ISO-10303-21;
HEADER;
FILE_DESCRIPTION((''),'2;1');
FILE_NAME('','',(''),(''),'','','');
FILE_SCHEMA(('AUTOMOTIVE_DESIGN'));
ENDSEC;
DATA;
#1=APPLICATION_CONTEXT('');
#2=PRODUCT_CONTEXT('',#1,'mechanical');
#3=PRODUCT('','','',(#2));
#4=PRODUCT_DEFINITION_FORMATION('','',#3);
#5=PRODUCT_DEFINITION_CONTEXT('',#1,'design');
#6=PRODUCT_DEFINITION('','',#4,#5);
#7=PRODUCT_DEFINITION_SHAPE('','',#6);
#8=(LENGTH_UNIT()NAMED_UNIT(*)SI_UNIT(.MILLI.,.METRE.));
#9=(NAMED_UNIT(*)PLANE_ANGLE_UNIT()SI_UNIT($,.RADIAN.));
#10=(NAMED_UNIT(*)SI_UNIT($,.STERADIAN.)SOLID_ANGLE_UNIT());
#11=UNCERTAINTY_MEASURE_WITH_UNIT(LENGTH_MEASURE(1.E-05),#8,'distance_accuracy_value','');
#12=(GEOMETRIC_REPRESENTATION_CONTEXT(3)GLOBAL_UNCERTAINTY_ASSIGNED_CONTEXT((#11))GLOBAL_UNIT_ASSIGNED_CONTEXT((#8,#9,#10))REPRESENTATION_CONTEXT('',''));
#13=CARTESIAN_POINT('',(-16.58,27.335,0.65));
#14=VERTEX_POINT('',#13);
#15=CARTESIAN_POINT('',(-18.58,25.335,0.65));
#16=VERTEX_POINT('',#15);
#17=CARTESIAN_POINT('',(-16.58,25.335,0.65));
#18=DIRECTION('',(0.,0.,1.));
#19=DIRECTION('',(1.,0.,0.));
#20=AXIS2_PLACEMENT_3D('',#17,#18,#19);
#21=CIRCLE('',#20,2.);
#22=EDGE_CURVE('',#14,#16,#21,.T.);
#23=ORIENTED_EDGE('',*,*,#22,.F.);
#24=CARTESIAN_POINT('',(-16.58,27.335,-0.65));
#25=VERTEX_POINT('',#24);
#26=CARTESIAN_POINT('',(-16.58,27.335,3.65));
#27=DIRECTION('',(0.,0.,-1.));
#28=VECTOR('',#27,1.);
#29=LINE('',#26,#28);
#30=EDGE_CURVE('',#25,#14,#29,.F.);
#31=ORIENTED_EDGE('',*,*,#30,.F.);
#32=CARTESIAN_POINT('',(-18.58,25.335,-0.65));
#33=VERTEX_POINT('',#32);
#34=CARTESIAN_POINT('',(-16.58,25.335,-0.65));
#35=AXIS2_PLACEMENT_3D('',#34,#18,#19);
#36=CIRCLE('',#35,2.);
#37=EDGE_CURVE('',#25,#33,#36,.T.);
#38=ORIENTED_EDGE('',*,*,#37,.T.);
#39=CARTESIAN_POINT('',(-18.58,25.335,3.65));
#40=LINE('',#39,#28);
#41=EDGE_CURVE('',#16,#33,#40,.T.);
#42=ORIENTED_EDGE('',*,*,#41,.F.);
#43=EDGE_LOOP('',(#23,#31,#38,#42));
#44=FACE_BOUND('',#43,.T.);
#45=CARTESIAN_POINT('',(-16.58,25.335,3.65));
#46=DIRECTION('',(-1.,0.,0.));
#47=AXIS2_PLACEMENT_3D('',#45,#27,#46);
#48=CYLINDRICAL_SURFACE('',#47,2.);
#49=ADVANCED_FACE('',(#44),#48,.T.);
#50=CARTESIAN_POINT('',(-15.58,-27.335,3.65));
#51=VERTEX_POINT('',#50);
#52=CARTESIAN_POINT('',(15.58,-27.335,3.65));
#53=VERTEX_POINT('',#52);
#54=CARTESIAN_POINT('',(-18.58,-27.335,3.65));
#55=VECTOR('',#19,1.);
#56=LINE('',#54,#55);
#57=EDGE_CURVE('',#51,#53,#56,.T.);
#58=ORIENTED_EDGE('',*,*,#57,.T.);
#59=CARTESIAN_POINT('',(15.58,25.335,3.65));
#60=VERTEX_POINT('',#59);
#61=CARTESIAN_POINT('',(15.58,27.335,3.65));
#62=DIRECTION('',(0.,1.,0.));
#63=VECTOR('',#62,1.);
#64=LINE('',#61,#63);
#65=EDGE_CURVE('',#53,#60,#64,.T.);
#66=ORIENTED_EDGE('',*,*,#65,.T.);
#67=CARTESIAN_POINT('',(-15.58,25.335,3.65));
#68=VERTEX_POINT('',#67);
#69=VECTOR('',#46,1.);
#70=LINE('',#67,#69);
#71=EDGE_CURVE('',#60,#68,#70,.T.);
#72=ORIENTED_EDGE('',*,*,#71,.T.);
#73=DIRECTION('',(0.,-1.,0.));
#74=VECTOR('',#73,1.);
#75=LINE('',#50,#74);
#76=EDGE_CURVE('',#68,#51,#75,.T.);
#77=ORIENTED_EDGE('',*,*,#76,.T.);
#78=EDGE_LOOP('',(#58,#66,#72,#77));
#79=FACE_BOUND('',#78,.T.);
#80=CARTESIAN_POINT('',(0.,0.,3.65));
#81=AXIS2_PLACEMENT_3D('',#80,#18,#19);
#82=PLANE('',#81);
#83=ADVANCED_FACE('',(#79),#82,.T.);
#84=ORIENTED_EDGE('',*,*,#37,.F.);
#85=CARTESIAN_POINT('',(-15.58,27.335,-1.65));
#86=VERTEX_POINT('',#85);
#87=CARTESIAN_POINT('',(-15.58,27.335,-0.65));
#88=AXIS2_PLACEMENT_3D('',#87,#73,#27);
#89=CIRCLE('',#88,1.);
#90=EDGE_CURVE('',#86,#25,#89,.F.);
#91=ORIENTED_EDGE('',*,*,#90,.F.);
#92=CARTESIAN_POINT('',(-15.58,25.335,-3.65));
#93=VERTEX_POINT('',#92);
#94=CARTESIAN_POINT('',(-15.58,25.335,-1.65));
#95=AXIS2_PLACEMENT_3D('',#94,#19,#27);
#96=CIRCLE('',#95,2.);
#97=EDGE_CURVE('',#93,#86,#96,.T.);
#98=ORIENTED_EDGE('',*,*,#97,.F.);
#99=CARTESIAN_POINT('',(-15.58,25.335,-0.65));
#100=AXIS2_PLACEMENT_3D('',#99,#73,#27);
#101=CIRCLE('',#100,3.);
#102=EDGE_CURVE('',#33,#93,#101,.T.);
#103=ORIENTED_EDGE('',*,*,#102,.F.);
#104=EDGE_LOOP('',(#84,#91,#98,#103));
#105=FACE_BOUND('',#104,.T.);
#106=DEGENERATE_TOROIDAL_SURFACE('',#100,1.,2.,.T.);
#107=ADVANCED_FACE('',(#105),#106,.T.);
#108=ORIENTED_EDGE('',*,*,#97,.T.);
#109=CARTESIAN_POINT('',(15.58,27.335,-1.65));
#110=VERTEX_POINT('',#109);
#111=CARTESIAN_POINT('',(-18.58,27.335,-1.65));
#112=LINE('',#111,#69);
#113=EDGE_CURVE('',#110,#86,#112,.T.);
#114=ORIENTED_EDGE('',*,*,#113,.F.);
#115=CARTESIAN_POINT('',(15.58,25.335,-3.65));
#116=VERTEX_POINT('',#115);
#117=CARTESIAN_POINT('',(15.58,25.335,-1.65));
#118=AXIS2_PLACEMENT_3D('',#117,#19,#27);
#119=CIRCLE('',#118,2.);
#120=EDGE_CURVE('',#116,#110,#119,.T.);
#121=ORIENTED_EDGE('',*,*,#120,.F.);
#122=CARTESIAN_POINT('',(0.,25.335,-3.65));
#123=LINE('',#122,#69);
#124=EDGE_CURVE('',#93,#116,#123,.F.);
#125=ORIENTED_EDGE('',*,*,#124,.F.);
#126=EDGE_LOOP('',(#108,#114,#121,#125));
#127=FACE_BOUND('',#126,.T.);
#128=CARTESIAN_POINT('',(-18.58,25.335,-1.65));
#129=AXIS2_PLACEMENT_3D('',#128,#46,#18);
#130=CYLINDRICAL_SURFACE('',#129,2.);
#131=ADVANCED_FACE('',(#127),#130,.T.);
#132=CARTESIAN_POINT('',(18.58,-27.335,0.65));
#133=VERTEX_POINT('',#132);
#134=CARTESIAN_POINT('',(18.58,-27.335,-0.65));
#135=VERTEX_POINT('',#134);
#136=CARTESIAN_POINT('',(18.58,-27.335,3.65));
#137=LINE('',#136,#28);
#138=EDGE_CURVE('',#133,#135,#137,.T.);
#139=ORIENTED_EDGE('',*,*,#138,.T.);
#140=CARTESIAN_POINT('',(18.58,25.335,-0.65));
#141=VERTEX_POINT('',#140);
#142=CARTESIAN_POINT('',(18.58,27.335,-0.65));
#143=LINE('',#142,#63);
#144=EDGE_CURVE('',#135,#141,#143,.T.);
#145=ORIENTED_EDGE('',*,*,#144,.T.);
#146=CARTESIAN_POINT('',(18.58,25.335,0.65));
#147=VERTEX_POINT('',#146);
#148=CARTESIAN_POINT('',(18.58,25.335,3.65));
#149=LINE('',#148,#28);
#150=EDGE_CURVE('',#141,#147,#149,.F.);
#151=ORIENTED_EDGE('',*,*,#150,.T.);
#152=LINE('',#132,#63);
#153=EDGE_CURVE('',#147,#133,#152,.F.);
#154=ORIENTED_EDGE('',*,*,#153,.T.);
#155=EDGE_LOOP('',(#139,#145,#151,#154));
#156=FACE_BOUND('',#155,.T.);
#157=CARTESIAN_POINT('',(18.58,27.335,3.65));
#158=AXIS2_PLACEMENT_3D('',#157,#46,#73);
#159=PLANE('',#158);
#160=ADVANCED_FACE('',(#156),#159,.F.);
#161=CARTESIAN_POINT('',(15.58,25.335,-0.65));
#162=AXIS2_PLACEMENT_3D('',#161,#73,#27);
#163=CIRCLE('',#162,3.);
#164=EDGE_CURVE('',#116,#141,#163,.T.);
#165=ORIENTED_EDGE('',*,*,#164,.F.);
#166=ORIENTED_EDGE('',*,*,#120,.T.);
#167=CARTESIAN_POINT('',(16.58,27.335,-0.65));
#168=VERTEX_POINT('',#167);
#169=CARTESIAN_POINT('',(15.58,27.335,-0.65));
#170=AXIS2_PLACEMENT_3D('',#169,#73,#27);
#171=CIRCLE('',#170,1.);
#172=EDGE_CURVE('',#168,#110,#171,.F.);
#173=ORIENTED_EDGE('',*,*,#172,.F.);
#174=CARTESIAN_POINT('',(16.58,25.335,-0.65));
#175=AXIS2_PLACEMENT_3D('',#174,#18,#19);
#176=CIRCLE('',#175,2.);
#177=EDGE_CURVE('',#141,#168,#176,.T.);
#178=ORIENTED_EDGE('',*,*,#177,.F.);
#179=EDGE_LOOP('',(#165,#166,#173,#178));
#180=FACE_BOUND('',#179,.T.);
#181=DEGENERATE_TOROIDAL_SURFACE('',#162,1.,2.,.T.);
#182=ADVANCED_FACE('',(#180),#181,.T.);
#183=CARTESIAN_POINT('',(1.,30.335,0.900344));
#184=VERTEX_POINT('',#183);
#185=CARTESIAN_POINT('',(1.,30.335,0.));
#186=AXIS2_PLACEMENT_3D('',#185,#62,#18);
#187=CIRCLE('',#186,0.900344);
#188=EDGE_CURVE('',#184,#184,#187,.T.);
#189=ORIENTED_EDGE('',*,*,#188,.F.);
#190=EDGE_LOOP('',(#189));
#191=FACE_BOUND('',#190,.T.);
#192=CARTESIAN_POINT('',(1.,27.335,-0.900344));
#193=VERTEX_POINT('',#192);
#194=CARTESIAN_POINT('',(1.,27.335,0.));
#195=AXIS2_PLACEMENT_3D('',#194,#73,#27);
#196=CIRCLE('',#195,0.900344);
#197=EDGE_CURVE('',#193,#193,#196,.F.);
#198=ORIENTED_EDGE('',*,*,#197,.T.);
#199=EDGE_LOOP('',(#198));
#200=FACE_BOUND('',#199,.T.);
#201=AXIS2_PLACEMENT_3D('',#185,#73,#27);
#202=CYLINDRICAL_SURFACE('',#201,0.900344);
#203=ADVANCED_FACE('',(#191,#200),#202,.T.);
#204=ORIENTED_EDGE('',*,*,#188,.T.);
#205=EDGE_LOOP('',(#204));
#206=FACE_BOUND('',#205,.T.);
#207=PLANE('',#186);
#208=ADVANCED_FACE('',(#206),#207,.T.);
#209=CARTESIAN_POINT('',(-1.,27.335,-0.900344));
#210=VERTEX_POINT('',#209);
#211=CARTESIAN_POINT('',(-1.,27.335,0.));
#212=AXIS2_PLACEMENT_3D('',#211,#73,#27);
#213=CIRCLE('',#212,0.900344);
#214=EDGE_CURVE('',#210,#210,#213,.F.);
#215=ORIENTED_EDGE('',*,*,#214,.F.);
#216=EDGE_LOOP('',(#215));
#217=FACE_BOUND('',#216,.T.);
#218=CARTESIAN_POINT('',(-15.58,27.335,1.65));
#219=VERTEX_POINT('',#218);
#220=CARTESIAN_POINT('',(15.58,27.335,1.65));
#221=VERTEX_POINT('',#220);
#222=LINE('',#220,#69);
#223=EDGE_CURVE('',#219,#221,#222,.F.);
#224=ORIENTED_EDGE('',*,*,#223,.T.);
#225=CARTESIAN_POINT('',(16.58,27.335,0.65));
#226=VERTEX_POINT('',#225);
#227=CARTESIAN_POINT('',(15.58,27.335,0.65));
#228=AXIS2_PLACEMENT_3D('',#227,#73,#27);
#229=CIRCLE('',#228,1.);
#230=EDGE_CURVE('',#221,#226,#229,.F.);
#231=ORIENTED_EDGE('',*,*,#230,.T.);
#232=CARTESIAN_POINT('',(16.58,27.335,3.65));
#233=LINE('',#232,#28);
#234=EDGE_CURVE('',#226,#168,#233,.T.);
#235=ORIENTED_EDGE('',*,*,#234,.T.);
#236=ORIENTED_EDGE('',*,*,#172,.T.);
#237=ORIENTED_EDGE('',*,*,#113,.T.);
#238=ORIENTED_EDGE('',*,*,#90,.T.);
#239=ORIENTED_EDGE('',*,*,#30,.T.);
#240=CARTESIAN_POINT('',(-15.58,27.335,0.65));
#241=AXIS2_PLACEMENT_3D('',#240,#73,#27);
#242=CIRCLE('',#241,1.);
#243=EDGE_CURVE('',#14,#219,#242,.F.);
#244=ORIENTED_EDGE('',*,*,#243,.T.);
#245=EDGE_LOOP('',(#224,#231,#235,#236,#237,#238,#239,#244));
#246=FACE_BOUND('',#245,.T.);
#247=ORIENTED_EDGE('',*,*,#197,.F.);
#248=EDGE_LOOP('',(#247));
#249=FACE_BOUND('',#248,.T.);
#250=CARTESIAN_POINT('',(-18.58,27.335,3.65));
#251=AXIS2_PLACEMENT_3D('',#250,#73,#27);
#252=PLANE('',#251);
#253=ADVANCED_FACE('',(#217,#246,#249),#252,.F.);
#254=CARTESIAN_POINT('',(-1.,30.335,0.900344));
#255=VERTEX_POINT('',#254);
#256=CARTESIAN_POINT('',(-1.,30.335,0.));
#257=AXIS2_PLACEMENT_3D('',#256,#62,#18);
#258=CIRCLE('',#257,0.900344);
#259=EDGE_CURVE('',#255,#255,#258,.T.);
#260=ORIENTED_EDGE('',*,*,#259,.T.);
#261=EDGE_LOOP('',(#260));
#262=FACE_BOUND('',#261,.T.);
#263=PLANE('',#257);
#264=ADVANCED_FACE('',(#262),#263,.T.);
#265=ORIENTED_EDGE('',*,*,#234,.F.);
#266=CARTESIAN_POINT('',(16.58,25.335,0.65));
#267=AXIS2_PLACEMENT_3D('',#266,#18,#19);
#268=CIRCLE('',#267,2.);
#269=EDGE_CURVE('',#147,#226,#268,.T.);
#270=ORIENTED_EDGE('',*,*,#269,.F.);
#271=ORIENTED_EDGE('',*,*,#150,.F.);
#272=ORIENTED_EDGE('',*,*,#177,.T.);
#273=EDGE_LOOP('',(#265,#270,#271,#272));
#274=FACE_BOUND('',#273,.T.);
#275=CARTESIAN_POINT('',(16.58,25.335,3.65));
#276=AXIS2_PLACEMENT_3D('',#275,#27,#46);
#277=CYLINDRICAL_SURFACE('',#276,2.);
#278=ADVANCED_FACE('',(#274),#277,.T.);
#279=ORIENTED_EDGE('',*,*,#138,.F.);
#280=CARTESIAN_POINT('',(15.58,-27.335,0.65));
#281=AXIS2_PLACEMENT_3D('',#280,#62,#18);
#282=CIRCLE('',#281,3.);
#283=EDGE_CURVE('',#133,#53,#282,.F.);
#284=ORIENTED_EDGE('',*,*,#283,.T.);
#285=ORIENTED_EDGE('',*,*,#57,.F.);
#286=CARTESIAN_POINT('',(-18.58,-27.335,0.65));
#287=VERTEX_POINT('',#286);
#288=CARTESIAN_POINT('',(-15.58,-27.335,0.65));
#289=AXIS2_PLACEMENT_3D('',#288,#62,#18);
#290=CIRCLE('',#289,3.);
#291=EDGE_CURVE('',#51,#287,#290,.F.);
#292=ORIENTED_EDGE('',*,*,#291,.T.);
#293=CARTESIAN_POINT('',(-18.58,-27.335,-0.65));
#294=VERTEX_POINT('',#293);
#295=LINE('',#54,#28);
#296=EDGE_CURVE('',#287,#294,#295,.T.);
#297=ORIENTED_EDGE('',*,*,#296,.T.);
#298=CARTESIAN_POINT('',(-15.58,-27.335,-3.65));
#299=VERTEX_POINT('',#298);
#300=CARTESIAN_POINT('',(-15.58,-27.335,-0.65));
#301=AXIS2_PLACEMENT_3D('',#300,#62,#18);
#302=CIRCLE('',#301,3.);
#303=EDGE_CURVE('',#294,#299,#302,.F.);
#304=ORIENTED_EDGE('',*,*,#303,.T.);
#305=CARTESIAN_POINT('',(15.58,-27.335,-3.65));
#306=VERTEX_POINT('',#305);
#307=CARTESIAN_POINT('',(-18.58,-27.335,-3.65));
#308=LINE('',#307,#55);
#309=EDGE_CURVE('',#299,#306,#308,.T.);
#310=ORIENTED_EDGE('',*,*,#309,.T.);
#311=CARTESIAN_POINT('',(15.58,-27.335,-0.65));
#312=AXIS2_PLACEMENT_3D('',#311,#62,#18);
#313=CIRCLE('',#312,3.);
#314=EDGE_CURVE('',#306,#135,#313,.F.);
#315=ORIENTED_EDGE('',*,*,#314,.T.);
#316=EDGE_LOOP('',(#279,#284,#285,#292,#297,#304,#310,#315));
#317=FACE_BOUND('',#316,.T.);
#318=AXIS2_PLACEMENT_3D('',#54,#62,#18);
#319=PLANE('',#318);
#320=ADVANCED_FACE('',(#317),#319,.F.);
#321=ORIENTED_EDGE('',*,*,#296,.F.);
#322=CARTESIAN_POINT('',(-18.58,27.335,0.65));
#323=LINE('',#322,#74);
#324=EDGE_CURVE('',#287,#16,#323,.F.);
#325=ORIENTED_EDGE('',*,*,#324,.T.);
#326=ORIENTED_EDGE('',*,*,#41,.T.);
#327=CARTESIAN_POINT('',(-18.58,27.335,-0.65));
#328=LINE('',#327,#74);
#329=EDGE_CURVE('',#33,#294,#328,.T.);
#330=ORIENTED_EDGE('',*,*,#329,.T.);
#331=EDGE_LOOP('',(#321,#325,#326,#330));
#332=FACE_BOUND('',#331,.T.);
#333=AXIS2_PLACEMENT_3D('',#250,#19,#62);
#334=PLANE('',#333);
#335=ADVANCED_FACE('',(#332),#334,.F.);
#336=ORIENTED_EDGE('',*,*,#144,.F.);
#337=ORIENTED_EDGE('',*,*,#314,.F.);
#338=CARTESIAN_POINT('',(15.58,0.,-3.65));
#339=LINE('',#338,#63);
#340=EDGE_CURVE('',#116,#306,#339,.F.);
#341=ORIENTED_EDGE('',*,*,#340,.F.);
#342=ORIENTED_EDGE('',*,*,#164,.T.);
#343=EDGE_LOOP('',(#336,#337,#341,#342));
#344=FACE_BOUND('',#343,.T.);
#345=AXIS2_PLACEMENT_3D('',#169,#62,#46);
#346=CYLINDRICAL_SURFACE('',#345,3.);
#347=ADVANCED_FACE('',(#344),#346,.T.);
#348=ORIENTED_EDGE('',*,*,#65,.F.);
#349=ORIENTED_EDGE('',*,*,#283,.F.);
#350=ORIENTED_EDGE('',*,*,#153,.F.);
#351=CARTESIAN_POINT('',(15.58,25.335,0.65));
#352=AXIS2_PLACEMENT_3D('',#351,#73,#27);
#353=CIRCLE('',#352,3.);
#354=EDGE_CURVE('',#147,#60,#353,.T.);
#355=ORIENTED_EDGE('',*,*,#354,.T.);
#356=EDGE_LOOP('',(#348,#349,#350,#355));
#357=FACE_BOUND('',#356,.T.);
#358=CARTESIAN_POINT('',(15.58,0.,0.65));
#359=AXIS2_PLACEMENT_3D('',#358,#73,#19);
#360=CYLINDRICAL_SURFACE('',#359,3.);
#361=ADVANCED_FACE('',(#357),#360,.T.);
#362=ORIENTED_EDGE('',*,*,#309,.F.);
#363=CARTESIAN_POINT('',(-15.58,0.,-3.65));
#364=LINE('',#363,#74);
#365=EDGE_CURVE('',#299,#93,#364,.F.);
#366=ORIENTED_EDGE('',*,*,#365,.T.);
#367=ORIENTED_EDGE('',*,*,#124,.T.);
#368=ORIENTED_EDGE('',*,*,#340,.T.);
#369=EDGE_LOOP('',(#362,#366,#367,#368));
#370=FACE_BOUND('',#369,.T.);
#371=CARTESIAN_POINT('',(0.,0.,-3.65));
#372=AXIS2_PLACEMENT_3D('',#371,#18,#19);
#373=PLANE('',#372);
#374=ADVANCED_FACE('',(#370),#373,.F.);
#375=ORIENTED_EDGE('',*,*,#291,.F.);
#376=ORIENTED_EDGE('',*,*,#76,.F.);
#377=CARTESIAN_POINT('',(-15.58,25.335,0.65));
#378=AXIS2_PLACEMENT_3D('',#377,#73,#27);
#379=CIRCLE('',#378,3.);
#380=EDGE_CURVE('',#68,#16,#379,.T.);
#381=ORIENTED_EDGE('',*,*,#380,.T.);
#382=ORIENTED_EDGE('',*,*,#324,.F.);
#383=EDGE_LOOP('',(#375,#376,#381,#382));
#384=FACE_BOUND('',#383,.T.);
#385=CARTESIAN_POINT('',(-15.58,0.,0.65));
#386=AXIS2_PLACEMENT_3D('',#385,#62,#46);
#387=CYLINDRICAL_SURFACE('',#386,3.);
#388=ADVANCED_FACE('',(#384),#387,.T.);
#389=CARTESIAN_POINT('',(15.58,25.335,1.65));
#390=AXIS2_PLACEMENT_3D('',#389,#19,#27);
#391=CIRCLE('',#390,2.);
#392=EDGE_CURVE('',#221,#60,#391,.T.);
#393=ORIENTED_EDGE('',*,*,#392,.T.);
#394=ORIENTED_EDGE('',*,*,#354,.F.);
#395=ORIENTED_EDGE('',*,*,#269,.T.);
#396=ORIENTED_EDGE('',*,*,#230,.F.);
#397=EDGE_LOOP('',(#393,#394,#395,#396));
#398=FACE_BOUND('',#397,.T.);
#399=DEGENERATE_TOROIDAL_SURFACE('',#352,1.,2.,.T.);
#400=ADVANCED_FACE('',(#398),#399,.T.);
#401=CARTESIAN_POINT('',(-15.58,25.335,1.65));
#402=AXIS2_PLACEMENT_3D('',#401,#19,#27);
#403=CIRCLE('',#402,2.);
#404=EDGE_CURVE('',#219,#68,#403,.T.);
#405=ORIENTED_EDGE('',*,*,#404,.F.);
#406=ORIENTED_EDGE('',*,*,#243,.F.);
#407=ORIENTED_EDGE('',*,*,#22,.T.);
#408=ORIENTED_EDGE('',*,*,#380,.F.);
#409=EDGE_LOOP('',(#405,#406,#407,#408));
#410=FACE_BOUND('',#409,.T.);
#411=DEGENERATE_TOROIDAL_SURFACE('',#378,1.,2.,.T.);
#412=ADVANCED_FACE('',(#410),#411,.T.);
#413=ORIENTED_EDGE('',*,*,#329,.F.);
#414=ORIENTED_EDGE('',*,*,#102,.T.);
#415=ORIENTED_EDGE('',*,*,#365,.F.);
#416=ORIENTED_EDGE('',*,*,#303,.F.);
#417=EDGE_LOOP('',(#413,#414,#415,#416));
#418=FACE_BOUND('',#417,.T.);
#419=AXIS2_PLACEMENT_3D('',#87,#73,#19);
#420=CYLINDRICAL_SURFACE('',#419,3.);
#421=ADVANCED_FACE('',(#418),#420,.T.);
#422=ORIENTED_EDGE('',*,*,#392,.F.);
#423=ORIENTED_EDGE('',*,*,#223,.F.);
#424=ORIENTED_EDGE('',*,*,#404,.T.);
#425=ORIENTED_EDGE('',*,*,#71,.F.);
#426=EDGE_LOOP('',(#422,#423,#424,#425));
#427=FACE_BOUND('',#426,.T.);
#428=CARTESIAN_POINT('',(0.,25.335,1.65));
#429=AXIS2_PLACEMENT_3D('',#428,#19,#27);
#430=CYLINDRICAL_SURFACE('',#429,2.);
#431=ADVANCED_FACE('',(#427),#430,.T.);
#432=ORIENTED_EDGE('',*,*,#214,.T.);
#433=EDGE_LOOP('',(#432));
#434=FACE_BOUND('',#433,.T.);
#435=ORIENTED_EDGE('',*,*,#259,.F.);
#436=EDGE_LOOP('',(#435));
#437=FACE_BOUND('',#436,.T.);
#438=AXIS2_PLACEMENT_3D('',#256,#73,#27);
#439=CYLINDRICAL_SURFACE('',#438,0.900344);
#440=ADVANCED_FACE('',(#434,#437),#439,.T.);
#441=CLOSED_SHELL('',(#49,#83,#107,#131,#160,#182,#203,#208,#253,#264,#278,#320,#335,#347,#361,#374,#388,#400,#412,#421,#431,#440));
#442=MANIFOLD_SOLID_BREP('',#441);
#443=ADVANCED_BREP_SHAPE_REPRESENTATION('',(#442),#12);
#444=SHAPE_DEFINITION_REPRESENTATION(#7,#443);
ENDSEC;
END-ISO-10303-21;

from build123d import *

# Parameters (mm, degrees)
SKETCH1_W           = 37.16
SKETCH1_H           = 54.67
BOSS_EXTRUDE1_DEPTH = 3.65
FILLET1_R           = 3
FILLET2_R           = 2
SKETCH2_R           = 0.900344027
BOSS_EXTRUDE2_DEPTH = 3


with BuildPart() as part:
    # Sketch1 → Boss-Extrude1 (new, symmetric)
    with BuildSketch(Plane.XY):
        Rectangle(SKETCH1_W, SKETCH1_H)
    extrude(amount=BOSS_EXTRUDE1_DEPTH, both=True)

    # Fillet1
    fillet1_edges = [part.edges().sort_by_distance(p)[0] for p in [
        (-18.58, 0, 3.65),
        (18.58, 0, 3.65),
        (-18.58, 0, -3.65),
        (18.58, 0, -3.65),
    ]]
    fillet(fillet1_edges, radius=FILLET1_R)

    # Fillet2
    fillet2_edges = [part.edges().sort_by_distance(p)[0] for p in [
        (-18.58, 27.335, 0),
        (0, 27.335, -3.65),
        (0, 27.335, 3.65),
        (18.58, 27.335, 0),
        (17.701320344, 27.335, 2.771320344),
        (17.701320344, 27.335, -2.771320344),
        (-17.701320344, 27.335, 2.771320344),
        (-17.701320344, 27.335, -2.771320344),
    ]]
    fillet(fillet2_edges, radius=FILLET2_R)

    # Sketch2 → Boss-Extrude2 (add)
    with BuildSketch(Plane(origin=(0, 27.335, 0), x_dir=(1, 0, 0), z_dir=(0, 1, 0))):
        with Locations(Location((-1, 0, 0), (0, 0, 90))):
            Circle(SKETCH2_R)
        with Locations(Location((1, 0, 0), (0, 0, 90))):
            Circle(SKETCH2_R)
    extrude(amount=BOSS_EXTRUDE2_DEPTH)


solid = part.part
